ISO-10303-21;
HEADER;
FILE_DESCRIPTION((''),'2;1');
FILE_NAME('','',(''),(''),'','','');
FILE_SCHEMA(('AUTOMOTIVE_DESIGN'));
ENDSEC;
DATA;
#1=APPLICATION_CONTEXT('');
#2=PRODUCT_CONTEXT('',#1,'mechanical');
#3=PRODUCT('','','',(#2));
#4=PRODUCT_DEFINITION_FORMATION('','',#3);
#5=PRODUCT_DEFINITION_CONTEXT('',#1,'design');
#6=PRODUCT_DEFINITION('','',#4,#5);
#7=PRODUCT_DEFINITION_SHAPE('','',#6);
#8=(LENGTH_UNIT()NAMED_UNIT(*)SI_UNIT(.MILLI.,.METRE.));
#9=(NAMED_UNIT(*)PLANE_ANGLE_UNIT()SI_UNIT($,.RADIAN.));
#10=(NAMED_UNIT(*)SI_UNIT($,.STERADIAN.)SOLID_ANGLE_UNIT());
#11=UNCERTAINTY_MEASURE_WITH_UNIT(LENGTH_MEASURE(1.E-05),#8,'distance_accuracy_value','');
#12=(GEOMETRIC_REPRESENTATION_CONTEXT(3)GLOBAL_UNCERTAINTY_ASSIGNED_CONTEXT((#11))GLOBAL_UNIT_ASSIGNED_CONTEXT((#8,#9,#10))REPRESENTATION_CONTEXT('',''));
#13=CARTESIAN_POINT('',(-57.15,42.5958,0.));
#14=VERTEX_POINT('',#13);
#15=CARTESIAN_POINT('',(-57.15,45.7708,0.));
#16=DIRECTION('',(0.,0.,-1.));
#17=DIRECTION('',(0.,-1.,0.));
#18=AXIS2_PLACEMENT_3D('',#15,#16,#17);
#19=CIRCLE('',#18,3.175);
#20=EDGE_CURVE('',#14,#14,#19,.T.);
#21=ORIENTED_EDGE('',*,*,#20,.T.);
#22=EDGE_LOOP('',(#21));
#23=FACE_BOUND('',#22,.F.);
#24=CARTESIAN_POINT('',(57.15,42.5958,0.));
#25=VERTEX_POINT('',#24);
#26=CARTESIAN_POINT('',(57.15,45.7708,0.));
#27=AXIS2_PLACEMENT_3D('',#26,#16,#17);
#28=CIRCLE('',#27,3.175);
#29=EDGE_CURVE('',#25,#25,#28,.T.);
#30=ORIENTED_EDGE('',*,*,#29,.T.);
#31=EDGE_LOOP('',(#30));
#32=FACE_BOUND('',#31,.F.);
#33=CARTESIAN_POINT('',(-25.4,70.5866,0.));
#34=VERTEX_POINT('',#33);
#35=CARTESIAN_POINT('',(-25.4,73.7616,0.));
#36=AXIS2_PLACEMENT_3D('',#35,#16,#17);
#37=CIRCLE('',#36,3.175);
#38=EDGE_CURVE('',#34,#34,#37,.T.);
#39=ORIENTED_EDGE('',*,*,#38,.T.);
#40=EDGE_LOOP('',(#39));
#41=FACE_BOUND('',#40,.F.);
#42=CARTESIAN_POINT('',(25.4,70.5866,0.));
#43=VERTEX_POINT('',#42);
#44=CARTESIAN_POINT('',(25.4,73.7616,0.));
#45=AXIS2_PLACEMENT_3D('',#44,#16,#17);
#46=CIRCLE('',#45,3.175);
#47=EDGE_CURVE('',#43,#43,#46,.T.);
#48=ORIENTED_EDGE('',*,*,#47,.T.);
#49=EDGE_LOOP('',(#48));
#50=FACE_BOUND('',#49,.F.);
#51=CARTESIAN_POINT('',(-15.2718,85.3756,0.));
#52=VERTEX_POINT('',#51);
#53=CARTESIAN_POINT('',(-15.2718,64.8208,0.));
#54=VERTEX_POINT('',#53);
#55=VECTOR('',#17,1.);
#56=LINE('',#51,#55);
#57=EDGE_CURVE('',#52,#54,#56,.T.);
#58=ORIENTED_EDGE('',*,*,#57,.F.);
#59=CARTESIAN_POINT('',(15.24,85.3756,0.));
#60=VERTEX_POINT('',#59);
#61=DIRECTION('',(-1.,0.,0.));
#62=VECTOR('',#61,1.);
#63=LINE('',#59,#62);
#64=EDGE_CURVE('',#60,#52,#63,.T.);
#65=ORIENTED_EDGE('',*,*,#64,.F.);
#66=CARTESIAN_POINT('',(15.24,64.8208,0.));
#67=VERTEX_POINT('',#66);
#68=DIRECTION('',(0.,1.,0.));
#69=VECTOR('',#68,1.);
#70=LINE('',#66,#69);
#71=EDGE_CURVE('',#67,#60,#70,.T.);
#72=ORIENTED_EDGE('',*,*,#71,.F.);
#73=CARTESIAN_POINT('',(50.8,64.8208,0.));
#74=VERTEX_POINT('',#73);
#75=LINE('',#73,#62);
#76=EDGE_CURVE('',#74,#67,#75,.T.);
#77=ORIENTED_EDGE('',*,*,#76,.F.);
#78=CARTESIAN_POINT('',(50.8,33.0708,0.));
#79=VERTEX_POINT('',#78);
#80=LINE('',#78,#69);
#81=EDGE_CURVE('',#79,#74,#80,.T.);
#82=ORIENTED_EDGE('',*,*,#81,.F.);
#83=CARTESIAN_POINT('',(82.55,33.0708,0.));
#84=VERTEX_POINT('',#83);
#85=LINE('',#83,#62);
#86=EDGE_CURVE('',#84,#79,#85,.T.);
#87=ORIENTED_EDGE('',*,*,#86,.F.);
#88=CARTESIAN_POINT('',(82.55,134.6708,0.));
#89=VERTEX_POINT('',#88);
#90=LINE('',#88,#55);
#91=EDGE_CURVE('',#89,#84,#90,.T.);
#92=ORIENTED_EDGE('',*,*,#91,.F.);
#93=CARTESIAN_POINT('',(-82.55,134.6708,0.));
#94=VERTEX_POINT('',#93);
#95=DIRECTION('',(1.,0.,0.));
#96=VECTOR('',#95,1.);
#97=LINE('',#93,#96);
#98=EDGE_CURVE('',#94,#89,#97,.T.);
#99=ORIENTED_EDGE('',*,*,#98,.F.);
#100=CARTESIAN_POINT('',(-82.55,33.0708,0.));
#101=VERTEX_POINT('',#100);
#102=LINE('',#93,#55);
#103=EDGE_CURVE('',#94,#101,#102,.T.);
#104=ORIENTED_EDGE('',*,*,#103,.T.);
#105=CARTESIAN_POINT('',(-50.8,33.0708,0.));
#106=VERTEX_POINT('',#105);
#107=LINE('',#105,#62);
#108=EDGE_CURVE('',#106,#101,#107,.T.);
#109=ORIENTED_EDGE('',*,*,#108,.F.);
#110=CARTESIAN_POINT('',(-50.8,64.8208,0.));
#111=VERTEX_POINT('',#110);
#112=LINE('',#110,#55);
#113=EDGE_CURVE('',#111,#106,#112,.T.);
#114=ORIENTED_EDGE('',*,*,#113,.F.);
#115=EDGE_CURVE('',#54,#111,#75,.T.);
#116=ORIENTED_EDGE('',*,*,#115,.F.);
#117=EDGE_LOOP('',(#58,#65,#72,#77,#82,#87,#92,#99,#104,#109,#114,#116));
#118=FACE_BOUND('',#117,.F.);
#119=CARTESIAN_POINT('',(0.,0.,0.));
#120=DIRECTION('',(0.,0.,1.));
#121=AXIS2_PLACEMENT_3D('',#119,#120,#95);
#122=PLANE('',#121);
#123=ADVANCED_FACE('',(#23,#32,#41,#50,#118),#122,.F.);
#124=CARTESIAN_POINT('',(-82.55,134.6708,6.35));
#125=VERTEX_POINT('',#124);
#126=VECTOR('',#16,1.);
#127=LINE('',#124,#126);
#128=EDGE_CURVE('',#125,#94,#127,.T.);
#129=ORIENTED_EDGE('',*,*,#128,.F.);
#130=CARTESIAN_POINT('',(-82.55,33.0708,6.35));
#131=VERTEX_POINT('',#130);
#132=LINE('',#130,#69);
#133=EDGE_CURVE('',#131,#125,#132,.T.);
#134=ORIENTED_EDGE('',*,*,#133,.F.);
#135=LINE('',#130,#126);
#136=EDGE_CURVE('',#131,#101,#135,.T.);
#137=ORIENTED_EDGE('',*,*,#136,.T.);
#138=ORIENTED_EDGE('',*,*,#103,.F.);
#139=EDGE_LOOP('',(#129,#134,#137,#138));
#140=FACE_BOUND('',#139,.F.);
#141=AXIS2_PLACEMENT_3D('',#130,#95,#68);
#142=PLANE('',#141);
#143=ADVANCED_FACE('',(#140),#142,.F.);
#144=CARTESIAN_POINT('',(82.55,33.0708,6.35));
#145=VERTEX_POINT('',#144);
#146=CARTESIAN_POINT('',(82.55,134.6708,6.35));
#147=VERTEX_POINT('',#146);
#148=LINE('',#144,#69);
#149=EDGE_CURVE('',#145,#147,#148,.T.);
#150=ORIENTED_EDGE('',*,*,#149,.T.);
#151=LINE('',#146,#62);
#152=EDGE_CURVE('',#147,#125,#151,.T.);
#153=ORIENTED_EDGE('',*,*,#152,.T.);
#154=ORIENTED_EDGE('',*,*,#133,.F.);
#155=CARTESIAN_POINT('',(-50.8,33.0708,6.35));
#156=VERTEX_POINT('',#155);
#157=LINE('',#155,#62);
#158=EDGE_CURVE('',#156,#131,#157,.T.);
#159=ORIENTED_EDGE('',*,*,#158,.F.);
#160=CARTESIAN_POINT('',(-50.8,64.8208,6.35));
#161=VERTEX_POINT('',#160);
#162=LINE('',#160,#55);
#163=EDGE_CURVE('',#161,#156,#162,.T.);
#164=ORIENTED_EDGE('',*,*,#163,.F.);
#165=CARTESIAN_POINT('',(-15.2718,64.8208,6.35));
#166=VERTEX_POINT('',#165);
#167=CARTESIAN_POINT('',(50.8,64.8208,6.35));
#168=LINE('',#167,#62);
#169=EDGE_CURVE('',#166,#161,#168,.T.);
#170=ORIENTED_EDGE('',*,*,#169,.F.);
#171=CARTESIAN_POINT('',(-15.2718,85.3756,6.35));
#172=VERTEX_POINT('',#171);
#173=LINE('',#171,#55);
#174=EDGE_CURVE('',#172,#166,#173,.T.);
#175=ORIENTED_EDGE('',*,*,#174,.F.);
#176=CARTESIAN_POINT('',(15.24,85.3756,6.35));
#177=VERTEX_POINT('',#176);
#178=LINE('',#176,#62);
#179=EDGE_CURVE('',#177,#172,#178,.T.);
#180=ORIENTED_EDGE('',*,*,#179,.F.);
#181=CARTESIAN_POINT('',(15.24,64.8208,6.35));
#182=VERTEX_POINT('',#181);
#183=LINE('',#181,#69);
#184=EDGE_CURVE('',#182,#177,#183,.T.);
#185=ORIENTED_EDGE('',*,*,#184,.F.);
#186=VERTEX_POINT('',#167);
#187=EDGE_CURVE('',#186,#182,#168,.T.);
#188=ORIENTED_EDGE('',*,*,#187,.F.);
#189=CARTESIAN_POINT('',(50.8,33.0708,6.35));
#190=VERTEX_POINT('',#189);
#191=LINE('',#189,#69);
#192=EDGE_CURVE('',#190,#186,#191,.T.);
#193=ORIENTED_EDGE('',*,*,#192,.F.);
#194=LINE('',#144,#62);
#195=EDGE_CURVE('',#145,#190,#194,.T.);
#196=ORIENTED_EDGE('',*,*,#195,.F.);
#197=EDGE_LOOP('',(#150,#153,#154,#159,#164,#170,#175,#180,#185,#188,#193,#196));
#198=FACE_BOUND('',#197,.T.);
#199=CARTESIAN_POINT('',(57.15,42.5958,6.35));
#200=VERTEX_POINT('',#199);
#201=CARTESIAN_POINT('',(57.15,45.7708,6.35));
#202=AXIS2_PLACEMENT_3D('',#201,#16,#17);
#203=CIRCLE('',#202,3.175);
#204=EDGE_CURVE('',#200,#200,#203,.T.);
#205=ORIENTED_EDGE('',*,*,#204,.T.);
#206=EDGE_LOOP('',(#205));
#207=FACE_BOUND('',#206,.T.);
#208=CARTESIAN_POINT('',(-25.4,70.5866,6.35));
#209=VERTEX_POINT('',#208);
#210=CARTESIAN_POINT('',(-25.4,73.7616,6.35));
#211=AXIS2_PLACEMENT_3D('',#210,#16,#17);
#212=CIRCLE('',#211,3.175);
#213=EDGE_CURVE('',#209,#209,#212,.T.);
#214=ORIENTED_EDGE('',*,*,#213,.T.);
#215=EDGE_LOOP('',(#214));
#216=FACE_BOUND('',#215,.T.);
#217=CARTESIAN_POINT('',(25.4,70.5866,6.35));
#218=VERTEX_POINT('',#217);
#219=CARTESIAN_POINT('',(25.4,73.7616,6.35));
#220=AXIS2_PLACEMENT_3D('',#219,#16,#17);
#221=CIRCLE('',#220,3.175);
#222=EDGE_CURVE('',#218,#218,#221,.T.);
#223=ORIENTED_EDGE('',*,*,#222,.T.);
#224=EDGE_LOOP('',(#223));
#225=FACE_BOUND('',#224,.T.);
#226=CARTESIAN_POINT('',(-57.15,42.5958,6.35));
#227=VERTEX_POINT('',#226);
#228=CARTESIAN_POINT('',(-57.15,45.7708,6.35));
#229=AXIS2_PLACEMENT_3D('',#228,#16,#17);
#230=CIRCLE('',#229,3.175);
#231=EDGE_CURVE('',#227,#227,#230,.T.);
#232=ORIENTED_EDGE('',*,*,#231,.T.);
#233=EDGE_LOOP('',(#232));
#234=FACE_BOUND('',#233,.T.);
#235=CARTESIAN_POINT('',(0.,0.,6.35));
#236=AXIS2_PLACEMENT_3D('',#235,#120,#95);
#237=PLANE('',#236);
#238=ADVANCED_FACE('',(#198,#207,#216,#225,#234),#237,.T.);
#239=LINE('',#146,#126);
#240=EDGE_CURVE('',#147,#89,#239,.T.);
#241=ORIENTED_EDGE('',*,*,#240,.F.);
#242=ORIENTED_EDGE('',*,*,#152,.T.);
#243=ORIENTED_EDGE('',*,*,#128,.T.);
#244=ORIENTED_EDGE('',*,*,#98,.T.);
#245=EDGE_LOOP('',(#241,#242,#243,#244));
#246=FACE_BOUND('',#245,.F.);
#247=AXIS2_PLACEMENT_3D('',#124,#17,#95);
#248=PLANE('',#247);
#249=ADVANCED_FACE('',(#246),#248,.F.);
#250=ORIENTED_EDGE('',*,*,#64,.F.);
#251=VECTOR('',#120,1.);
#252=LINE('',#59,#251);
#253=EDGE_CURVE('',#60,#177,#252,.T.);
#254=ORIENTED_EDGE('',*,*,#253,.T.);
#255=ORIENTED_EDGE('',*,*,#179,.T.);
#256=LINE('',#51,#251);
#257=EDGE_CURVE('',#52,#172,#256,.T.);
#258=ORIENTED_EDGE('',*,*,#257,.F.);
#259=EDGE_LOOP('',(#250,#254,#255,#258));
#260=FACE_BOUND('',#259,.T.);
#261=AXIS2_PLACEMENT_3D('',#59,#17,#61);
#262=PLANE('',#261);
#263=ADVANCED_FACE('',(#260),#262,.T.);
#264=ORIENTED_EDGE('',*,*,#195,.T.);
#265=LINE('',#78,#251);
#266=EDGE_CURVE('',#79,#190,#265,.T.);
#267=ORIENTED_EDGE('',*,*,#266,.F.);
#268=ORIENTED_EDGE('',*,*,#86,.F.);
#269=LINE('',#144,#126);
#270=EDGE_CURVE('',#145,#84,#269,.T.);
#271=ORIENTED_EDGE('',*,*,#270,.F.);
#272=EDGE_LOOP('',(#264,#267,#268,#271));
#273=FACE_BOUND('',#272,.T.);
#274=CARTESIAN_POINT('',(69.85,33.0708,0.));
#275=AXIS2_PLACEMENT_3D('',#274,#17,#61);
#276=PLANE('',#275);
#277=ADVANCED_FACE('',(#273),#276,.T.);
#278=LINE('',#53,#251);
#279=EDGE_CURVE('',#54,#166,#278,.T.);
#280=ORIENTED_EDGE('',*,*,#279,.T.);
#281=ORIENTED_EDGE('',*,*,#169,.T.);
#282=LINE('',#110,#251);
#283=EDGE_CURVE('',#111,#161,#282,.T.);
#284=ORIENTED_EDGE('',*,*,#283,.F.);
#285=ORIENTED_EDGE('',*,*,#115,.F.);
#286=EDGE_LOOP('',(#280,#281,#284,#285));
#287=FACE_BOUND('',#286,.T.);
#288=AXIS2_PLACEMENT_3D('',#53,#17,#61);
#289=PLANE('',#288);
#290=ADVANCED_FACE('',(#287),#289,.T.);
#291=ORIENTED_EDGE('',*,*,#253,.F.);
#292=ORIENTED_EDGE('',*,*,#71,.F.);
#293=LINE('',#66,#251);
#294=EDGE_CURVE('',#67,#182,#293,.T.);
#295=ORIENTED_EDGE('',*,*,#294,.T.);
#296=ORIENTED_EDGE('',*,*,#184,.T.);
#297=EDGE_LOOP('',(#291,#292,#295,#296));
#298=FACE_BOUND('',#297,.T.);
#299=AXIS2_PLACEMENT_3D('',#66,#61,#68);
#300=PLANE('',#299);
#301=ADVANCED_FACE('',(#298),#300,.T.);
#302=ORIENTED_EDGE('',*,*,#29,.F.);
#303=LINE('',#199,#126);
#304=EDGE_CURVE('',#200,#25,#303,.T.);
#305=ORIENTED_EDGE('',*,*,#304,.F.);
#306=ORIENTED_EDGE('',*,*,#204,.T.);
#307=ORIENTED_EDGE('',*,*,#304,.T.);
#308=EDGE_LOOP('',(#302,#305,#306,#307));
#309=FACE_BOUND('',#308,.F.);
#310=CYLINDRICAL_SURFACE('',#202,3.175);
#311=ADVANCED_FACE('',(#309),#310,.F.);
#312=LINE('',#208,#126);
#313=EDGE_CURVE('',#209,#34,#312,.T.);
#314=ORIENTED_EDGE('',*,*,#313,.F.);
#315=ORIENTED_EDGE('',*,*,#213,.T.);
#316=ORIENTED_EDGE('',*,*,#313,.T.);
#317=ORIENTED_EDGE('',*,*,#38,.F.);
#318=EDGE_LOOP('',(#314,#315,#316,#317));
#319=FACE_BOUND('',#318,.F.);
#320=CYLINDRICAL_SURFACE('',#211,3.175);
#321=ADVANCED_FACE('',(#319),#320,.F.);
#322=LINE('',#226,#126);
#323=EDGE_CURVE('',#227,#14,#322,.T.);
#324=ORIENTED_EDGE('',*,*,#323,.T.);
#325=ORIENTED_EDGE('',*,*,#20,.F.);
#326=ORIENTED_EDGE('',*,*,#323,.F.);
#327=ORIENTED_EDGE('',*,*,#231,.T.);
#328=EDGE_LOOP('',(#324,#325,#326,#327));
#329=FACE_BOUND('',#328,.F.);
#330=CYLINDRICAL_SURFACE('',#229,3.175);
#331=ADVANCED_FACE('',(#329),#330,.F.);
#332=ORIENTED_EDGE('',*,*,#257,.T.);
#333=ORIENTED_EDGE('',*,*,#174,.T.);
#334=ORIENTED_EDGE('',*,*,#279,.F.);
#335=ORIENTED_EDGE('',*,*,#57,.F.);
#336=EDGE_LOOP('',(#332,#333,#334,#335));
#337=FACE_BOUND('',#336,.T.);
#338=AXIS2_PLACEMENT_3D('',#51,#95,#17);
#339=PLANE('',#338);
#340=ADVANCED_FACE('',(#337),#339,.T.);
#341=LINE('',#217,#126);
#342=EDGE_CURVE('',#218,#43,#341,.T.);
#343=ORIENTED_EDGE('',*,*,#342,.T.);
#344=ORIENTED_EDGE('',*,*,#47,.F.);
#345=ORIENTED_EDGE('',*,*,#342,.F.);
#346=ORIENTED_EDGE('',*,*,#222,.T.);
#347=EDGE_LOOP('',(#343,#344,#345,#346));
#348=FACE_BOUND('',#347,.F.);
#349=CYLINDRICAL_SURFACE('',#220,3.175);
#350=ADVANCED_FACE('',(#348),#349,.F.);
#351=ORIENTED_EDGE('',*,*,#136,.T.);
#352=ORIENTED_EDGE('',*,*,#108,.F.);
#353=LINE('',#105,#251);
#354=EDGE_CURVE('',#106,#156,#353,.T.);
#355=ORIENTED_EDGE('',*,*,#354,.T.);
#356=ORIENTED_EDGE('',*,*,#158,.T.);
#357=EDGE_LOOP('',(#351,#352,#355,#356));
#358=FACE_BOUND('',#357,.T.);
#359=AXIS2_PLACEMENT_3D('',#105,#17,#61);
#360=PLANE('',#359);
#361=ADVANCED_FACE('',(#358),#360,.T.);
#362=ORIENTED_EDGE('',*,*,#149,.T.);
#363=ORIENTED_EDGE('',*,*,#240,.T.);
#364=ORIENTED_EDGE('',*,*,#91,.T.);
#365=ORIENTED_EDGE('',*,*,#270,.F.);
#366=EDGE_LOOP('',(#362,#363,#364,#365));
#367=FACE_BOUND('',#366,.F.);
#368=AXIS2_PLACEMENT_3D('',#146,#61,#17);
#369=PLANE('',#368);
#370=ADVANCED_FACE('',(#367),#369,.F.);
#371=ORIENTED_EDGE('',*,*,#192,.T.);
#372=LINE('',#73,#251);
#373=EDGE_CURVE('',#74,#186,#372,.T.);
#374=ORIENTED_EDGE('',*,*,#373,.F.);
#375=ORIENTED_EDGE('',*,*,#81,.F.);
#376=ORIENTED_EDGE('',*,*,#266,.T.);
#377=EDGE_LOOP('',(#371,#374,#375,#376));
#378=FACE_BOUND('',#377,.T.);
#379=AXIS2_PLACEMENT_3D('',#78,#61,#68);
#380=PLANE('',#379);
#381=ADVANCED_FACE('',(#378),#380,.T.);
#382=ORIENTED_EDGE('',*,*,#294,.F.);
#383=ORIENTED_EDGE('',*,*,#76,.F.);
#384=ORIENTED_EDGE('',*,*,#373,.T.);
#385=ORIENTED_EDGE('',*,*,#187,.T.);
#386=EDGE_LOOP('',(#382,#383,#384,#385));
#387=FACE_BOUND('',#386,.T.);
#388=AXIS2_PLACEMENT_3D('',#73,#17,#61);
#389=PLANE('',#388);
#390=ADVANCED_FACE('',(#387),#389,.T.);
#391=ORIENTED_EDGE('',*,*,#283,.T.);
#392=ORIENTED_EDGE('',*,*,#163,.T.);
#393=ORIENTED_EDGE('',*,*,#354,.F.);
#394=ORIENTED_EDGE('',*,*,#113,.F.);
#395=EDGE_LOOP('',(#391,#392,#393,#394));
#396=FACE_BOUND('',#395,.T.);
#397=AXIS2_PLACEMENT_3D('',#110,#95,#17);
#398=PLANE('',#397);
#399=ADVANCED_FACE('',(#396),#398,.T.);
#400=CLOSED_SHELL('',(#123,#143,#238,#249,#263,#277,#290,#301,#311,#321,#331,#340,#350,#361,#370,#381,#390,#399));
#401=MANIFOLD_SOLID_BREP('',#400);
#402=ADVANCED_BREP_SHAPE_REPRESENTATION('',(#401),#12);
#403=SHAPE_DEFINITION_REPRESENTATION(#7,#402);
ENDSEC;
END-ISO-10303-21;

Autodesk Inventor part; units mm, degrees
ref_plane "YZ Plane" through (0, 0, 0) normal (1, 0, 0) x (0, 1, 0)
ref_plane "XZ Plane" through (0, 0, 0) normal (0, 1, 0) x (-1, 0, 0)
ref_plane "XY Plane" through (0, 0, 0) normal (0, 0, 1) x (1, 0, 0)
ref_plane "Work Plane1" through (0, 0, 0) normal (0, 0, 1) x (1, 0, 0)
sketch "Sketch2" plane through (0, 0, 0) normal (0, 0, 1) x (1, 0, 0)
  line L0 (-69.85, 121.9708) -> (69.85, 121.9708) projected
  line L1 (-69.85, 33.0708) -> (-69.85, 121.9708) projected
  line L2 (69.85, 33.0708) -> (-69.85, 33.0708) projected
  line L3 (-50.8, 64.8208) -> (-50.8, 33.0708) projected
  line L4 (50.8, 64.8208) -> (-50.8, 64.8208) projected
  line L5 (50.8, 33.0708) -> (50.8, 64.8208) projected
  line L6 (69.85, 121.9708) -> (69.85, 33.0708) projected
  line L7 (-15.2718, 85.3756) -> (-15.2718, 64.8208) projected
  line L8 (15.24, 85.3756) -> (-15.2718, 85.3756) projected
  line L9 (15.24, 64.8208) -> (15.24, 85.3756) projected
  point P0 (0, 0)
extrude "Extrusion1" add sketch "Sketch2" along normal blind 6.35 contours L0 L6 L2 L5 L4 L9 L8 L7 L3 L1
sketch "Sketch3" plane through (0, 0, 6.35) normal (0, 0, 1) x (1, 0, 0)
  circle A0 centre (-57.15, 45.7708) radius 3.5662 projected
  circle A1 centre (-25.4, 73.7616) radius 2.4892 projected
  circle A2 centre (57.15, 45.7708) radius 3.9624 projected
  point P0 (0, 0)
  point P1 (25.4, 73.7616)
  point P2 (25.4, 73.7616)
hole "Hole1" at (25.4, 73.7616, 6.35) at (-57.15, 45.7708, 6.35) at (57.15, 45.7708, 6.35) at (-25.4, 73.7616, 6.35) direction (0, 0, -1) diameter 6.35 depth 25.4 tip angle 118
sketch "Sketch5" plane through (0, 0, 6.35) normal (0, 0, 1) x (1, 0, 0)
  line L0 (-69.85, 33.0708) -> (-50.8, 33.0708) projected
  line L1 (-69.85, 33.0708) -> (-82.55, 33.0708)
  line L2 (-82.55, 33.0708) -> (-82.55, 134.6708)
  line L3 (-82.55, 134.6708) -> (-69.85, 134.6708)
  line L4 (-69.85, 134.6708) -> (-69.85, 33.0708)
  line L5 (-82.55, 134.6708) -> (82.55, 134.6708)
  line L6 (82.55, 134.6708) -> (82.55, 121.9708)
  line L7 (82.55, 121.9708) -> (-82.55, 121.9708)
  line L8 (-82.55, 121.9708) -> (-82.55, 134.6708)
  line L9 (50.8, 33.0708) -> (69.85, 33.0708) projected
  line L10 (82.55, 121.9708) -> (69.85, 121.9708)
  line L11 (69.85, 121.9708) -> (69.85, 33.0708)
  line L12 (69.85, 33.0708) -> (82.55, 33.0708)
  line L13 (82.55, 33.0708) -> (82.55, 121.9708)
  point P0 (0, 0)
  dimension "d26" = 12.7
  dimension "d27" = 12.7
  dimension "d28" = 12.7
extrude "Extrusion3" add sketch "Sketch5" against normal up to surface (6.35 mm away)
ref_plane "Work Plane2" through (0, 33.0708, 6.35) normal (-1, 0, 0) x (0, 0, 1)
equation "\"d1\" = d2"
equation "\"d2\" = 12.7"
properties part number "Hang Mount"
